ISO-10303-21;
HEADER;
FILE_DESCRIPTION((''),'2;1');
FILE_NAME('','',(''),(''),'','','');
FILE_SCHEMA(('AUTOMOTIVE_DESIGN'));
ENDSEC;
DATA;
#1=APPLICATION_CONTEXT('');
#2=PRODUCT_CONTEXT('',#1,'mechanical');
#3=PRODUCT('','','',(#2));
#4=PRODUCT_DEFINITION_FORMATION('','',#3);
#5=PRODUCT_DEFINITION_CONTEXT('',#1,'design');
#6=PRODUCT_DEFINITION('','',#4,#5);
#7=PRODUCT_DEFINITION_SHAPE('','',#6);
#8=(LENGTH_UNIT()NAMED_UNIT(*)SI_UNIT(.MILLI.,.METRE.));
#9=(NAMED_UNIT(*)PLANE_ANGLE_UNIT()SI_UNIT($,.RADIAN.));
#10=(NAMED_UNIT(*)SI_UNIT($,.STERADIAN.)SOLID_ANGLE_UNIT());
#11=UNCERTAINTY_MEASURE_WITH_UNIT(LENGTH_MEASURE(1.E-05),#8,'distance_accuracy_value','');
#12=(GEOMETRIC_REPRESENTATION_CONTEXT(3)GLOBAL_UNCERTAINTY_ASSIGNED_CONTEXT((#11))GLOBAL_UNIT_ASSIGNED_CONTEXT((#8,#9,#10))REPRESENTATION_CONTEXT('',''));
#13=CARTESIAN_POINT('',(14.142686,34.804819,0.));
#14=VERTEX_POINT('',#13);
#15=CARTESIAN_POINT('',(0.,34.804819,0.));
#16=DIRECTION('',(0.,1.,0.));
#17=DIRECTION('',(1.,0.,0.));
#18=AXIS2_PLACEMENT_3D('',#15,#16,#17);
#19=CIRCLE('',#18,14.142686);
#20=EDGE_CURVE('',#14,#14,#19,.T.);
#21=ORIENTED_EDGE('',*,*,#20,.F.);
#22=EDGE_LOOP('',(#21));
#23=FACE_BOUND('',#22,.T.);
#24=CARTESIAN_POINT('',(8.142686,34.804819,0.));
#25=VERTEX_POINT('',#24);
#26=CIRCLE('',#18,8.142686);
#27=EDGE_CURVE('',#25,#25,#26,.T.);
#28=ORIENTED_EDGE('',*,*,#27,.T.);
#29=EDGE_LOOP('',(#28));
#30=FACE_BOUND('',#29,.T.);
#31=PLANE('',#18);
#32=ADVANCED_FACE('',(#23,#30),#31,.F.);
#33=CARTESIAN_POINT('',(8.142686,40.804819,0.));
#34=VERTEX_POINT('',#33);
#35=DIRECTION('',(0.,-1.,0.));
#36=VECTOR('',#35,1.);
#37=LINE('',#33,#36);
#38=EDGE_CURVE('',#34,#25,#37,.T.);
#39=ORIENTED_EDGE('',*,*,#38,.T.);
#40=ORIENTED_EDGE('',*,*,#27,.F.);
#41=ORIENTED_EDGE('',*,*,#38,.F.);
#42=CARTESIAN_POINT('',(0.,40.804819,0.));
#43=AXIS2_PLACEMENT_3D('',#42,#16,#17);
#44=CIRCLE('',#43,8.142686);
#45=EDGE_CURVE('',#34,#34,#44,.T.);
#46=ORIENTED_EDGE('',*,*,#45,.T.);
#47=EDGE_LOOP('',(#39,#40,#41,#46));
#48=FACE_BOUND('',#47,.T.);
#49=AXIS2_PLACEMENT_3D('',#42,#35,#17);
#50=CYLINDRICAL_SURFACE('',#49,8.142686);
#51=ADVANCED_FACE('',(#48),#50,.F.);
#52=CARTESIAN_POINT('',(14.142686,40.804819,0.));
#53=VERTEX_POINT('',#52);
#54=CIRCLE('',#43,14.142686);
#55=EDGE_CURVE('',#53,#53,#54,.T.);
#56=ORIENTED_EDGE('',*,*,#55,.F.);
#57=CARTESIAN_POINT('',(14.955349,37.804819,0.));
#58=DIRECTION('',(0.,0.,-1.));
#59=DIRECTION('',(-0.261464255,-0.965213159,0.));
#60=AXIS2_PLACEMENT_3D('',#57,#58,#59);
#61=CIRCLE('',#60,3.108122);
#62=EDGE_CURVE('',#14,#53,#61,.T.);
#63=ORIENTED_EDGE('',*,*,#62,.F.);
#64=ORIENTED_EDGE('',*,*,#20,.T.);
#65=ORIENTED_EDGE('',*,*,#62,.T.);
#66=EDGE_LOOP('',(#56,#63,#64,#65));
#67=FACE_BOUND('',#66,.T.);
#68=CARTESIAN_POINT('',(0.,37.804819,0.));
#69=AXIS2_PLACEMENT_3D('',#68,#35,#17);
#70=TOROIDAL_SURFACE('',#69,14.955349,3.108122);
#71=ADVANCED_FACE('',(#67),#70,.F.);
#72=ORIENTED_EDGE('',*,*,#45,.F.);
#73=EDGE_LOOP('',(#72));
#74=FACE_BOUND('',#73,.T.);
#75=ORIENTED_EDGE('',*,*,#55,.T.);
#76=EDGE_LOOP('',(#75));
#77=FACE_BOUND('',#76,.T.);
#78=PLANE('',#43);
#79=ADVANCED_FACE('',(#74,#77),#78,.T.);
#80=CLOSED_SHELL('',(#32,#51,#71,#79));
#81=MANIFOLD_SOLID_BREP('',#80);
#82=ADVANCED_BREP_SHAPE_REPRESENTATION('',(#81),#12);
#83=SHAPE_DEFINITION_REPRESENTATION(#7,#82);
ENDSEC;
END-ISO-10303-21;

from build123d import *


with BuildPart() as f1:
    # F0 (on Top) → F1 (revolve)
    with BuildSketch(Plane.XY):
        with BuildLine():
            Line((14.142686, 40.804819), (8.142686, 40.804819))
            Line((8.142686, 40.804819), (8.142686, 34.804819))
            Line((8.142686, 34.804819), (14.142686, 34.804819))
            ThreePointArc((14.142686, 34.804819), (11.847227, 37.804819), (14.142686, 40.804819))
        make_face()
    revolve(axis=Axis((0, 34.692712, 0), (0, 1, 0)))


solid = f1.part
